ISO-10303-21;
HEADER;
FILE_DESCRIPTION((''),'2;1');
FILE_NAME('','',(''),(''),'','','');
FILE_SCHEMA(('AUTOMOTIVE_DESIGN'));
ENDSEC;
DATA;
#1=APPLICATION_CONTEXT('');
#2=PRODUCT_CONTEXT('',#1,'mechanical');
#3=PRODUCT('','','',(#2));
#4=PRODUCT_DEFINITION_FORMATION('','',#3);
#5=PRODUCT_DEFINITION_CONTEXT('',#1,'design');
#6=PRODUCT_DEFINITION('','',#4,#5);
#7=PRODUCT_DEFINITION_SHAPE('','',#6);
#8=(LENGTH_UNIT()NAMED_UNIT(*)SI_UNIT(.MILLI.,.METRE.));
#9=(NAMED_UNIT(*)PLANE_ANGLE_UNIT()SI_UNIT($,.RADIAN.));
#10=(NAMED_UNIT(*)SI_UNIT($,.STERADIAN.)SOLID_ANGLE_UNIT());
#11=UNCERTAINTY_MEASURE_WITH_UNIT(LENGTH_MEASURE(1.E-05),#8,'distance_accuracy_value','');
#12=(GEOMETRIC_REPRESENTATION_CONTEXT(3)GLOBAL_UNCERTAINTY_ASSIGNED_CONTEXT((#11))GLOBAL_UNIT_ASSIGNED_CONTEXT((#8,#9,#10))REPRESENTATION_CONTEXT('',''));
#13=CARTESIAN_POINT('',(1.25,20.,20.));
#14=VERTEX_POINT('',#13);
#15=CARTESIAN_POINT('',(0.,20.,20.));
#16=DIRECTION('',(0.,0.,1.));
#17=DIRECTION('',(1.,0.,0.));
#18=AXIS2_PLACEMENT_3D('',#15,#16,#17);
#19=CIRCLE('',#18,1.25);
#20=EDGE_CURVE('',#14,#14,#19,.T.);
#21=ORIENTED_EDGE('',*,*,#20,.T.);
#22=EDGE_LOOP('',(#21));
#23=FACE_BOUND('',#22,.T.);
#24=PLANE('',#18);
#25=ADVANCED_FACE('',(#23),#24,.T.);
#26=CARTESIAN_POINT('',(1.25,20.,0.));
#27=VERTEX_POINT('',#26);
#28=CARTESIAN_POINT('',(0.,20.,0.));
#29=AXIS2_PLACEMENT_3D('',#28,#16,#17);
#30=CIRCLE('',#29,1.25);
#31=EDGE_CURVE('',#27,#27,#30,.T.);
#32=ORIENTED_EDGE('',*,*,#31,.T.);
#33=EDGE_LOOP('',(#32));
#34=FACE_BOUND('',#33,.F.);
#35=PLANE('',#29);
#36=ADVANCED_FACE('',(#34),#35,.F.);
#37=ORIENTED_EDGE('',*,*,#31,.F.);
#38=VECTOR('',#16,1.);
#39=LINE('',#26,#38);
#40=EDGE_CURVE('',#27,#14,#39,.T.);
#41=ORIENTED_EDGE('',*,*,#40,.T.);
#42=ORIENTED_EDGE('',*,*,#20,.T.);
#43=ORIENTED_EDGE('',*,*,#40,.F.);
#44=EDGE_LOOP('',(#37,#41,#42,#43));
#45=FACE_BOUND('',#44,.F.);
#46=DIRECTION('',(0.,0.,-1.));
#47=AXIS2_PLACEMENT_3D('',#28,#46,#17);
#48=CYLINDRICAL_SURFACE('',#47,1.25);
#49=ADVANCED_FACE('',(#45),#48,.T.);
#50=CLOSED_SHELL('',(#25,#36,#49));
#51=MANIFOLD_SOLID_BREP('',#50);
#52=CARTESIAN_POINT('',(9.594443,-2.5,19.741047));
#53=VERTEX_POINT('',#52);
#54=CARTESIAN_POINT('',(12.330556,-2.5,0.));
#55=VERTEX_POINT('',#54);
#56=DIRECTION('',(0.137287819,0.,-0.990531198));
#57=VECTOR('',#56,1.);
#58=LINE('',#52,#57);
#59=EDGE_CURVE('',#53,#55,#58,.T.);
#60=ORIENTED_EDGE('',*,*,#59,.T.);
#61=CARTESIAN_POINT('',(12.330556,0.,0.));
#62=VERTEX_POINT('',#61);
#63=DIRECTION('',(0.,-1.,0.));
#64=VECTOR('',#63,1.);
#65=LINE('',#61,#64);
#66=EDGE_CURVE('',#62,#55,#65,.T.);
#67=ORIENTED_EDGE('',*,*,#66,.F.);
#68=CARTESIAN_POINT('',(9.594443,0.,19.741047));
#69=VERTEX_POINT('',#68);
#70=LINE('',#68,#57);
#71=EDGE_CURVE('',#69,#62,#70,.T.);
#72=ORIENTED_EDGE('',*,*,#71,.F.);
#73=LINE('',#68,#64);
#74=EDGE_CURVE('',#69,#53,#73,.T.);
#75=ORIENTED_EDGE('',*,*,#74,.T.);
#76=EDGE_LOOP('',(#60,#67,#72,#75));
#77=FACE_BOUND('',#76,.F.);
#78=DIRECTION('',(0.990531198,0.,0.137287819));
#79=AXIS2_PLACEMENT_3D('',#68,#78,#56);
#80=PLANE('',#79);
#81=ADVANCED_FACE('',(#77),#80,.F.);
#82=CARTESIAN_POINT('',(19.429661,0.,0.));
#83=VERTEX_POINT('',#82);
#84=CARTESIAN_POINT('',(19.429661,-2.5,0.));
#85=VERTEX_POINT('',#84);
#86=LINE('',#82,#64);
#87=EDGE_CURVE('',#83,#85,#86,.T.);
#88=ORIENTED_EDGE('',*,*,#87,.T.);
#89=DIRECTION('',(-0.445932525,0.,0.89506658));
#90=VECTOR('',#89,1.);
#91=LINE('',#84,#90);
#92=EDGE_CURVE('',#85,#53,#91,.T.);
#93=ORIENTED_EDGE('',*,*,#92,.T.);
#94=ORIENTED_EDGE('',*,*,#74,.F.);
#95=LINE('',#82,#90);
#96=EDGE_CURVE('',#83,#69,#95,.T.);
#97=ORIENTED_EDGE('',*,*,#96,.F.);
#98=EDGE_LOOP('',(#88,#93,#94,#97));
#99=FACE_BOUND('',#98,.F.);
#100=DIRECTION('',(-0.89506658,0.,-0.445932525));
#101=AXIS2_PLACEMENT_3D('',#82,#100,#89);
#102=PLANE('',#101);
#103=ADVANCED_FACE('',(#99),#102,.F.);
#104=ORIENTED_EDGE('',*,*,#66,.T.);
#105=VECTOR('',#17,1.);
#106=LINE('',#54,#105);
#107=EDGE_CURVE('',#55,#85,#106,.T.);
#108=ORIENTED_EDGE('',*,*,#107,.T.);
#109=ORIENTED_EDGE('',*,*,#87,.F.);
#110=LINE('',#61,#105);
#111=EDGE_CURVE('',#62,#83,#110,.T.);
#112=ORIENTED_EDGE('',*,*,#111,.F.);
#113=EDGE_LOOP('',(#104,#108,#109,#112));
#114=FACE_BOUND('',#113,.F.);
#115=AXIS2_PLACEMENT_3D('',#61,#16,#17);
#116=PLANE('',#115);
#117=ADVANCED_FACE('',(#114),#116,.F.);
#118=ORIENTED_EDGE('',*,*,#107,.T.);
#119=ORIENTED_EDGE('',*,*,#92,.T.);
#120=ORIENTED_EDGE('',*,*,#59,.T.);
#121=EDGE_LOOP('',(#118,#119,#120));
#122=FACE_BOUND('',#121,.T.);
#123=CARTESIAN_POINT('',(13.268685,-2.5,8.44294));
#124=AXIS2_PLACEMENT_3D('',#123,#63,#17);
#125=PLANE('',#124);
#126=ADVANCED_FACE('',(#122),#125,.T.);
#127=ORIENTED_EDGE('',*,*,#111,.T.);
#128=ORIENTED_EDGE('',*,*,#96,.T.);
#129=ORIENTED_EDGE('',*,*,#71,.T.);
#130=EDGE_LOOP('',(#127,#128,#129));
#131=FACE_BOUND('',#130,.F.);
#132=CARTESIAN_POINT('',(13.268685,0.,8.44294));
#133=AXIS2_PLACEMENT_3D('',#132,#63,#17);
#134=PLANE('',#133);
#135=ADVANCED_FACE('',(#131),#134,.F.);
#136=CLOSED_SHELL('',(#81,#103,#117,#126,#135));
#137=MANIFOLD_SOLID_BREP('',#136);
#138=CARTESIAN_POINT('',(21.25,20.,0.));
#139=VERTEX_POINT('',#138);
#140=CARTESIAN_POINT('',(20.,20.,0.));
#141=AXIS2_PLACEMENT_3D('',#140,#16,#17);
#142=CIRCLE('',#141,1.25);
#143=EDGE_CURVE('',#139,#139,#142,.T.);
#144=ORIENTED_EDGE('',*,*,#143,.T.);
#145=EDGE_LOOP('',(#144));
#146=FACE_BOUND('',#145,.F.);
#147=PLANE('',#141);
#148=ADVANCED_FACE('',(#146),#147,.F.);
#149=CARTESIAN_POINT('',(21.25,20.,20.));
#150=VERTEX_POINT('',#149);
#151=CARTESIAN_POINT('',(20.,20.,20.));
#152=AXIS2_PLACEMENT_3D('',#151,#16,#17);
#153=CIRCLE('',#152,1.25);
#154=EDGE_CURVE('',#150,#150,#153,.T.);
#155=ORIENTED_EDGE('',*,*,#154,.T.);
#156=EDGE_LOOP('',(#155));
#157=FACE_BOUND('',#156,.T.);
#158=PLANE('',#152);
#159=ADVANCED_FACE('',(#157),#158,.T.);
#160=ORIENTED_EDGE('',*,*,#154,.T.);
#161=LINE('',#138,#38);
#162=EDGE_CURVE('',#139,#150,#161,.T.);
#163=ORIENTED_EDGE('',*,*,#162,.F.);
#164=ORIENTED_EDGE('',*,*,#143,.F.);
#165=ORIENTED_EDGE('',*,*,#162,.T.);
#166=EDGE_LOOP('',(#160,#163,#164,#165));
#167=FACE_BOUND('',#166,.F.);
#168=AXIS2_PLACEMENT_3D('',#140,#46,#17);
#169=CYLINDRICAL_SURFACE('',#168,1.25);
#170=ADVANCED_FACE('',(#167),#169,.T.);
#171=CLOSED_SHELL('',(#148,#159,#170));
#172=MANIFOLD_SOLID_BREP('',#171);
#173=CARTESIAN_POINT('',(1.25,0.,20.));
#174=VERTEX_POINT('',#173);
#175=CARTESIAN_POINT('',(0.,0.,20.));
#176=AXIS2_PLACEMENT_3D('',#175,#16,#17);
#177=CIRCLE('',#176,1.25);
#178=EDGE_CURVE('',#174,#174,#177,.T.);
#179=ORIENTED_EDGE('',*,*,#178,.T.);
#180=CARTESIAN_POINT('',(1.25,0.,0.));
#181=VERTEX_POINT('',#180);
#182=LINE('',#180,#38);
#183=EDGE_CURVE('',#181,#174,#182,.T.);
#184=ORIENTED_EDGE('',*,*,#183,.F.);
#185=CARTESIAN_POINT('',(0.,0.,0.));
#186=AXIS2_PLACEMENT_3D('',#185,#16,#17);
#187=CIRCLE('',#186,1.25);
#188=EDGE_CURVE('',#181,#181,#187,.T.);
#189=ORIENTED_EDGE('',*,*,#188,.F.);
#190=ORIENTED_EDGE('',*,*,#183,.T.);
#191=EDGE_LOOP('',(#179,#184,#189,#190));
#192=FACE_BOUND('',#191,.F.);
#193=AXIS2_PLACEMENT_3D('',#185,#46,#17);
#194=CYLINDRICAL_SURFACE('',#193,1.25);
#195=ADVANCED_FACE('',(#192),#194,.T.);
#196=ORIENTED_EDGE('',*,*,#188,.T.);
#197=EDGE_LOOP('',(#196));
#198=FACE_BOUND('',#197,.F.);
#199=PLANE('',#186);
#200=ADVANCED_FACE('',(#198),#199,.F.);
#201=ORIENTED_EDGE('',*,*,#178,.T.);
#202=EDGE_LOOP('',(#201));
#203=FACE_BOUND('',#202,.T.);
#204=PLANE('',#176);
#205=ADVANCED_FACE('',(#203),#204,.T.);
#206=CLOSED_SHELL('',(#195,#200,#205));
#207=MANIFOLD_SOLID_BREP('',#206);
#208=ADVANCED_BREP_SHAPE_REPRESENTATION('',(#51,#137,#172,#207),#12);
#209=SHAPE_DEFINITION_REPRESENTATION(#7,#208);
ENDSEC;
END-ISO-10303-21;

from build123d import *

# Parameters (mm, degrees)
F0_R     = 1.25
F1_DEPTH = 20
F3_DEPTH = 2.5


with BuildPart() as f1:
    # F0 (on Top) → F1 (new body)
    with BuildSketch(Plane.XY):
        with Locations((0, 20)):
            Circle(F0_R)
        Circle(F0_R)
        with Locations((20, 20)):
            Circle(F0_R)
    extrude(amount=F1_DEPTH)


with BuildPart() as f3:
    # F2 (on Front) → F3 (new body)
    with BuildSketch(Plane.XZ):
        Polygon((12.330556, 0), (19.429661, 0), (9.594443, 19.741047), align=None)
    extrude(amount=F3_DEPTH)


solid = Compound([f1.part, f3.part])
